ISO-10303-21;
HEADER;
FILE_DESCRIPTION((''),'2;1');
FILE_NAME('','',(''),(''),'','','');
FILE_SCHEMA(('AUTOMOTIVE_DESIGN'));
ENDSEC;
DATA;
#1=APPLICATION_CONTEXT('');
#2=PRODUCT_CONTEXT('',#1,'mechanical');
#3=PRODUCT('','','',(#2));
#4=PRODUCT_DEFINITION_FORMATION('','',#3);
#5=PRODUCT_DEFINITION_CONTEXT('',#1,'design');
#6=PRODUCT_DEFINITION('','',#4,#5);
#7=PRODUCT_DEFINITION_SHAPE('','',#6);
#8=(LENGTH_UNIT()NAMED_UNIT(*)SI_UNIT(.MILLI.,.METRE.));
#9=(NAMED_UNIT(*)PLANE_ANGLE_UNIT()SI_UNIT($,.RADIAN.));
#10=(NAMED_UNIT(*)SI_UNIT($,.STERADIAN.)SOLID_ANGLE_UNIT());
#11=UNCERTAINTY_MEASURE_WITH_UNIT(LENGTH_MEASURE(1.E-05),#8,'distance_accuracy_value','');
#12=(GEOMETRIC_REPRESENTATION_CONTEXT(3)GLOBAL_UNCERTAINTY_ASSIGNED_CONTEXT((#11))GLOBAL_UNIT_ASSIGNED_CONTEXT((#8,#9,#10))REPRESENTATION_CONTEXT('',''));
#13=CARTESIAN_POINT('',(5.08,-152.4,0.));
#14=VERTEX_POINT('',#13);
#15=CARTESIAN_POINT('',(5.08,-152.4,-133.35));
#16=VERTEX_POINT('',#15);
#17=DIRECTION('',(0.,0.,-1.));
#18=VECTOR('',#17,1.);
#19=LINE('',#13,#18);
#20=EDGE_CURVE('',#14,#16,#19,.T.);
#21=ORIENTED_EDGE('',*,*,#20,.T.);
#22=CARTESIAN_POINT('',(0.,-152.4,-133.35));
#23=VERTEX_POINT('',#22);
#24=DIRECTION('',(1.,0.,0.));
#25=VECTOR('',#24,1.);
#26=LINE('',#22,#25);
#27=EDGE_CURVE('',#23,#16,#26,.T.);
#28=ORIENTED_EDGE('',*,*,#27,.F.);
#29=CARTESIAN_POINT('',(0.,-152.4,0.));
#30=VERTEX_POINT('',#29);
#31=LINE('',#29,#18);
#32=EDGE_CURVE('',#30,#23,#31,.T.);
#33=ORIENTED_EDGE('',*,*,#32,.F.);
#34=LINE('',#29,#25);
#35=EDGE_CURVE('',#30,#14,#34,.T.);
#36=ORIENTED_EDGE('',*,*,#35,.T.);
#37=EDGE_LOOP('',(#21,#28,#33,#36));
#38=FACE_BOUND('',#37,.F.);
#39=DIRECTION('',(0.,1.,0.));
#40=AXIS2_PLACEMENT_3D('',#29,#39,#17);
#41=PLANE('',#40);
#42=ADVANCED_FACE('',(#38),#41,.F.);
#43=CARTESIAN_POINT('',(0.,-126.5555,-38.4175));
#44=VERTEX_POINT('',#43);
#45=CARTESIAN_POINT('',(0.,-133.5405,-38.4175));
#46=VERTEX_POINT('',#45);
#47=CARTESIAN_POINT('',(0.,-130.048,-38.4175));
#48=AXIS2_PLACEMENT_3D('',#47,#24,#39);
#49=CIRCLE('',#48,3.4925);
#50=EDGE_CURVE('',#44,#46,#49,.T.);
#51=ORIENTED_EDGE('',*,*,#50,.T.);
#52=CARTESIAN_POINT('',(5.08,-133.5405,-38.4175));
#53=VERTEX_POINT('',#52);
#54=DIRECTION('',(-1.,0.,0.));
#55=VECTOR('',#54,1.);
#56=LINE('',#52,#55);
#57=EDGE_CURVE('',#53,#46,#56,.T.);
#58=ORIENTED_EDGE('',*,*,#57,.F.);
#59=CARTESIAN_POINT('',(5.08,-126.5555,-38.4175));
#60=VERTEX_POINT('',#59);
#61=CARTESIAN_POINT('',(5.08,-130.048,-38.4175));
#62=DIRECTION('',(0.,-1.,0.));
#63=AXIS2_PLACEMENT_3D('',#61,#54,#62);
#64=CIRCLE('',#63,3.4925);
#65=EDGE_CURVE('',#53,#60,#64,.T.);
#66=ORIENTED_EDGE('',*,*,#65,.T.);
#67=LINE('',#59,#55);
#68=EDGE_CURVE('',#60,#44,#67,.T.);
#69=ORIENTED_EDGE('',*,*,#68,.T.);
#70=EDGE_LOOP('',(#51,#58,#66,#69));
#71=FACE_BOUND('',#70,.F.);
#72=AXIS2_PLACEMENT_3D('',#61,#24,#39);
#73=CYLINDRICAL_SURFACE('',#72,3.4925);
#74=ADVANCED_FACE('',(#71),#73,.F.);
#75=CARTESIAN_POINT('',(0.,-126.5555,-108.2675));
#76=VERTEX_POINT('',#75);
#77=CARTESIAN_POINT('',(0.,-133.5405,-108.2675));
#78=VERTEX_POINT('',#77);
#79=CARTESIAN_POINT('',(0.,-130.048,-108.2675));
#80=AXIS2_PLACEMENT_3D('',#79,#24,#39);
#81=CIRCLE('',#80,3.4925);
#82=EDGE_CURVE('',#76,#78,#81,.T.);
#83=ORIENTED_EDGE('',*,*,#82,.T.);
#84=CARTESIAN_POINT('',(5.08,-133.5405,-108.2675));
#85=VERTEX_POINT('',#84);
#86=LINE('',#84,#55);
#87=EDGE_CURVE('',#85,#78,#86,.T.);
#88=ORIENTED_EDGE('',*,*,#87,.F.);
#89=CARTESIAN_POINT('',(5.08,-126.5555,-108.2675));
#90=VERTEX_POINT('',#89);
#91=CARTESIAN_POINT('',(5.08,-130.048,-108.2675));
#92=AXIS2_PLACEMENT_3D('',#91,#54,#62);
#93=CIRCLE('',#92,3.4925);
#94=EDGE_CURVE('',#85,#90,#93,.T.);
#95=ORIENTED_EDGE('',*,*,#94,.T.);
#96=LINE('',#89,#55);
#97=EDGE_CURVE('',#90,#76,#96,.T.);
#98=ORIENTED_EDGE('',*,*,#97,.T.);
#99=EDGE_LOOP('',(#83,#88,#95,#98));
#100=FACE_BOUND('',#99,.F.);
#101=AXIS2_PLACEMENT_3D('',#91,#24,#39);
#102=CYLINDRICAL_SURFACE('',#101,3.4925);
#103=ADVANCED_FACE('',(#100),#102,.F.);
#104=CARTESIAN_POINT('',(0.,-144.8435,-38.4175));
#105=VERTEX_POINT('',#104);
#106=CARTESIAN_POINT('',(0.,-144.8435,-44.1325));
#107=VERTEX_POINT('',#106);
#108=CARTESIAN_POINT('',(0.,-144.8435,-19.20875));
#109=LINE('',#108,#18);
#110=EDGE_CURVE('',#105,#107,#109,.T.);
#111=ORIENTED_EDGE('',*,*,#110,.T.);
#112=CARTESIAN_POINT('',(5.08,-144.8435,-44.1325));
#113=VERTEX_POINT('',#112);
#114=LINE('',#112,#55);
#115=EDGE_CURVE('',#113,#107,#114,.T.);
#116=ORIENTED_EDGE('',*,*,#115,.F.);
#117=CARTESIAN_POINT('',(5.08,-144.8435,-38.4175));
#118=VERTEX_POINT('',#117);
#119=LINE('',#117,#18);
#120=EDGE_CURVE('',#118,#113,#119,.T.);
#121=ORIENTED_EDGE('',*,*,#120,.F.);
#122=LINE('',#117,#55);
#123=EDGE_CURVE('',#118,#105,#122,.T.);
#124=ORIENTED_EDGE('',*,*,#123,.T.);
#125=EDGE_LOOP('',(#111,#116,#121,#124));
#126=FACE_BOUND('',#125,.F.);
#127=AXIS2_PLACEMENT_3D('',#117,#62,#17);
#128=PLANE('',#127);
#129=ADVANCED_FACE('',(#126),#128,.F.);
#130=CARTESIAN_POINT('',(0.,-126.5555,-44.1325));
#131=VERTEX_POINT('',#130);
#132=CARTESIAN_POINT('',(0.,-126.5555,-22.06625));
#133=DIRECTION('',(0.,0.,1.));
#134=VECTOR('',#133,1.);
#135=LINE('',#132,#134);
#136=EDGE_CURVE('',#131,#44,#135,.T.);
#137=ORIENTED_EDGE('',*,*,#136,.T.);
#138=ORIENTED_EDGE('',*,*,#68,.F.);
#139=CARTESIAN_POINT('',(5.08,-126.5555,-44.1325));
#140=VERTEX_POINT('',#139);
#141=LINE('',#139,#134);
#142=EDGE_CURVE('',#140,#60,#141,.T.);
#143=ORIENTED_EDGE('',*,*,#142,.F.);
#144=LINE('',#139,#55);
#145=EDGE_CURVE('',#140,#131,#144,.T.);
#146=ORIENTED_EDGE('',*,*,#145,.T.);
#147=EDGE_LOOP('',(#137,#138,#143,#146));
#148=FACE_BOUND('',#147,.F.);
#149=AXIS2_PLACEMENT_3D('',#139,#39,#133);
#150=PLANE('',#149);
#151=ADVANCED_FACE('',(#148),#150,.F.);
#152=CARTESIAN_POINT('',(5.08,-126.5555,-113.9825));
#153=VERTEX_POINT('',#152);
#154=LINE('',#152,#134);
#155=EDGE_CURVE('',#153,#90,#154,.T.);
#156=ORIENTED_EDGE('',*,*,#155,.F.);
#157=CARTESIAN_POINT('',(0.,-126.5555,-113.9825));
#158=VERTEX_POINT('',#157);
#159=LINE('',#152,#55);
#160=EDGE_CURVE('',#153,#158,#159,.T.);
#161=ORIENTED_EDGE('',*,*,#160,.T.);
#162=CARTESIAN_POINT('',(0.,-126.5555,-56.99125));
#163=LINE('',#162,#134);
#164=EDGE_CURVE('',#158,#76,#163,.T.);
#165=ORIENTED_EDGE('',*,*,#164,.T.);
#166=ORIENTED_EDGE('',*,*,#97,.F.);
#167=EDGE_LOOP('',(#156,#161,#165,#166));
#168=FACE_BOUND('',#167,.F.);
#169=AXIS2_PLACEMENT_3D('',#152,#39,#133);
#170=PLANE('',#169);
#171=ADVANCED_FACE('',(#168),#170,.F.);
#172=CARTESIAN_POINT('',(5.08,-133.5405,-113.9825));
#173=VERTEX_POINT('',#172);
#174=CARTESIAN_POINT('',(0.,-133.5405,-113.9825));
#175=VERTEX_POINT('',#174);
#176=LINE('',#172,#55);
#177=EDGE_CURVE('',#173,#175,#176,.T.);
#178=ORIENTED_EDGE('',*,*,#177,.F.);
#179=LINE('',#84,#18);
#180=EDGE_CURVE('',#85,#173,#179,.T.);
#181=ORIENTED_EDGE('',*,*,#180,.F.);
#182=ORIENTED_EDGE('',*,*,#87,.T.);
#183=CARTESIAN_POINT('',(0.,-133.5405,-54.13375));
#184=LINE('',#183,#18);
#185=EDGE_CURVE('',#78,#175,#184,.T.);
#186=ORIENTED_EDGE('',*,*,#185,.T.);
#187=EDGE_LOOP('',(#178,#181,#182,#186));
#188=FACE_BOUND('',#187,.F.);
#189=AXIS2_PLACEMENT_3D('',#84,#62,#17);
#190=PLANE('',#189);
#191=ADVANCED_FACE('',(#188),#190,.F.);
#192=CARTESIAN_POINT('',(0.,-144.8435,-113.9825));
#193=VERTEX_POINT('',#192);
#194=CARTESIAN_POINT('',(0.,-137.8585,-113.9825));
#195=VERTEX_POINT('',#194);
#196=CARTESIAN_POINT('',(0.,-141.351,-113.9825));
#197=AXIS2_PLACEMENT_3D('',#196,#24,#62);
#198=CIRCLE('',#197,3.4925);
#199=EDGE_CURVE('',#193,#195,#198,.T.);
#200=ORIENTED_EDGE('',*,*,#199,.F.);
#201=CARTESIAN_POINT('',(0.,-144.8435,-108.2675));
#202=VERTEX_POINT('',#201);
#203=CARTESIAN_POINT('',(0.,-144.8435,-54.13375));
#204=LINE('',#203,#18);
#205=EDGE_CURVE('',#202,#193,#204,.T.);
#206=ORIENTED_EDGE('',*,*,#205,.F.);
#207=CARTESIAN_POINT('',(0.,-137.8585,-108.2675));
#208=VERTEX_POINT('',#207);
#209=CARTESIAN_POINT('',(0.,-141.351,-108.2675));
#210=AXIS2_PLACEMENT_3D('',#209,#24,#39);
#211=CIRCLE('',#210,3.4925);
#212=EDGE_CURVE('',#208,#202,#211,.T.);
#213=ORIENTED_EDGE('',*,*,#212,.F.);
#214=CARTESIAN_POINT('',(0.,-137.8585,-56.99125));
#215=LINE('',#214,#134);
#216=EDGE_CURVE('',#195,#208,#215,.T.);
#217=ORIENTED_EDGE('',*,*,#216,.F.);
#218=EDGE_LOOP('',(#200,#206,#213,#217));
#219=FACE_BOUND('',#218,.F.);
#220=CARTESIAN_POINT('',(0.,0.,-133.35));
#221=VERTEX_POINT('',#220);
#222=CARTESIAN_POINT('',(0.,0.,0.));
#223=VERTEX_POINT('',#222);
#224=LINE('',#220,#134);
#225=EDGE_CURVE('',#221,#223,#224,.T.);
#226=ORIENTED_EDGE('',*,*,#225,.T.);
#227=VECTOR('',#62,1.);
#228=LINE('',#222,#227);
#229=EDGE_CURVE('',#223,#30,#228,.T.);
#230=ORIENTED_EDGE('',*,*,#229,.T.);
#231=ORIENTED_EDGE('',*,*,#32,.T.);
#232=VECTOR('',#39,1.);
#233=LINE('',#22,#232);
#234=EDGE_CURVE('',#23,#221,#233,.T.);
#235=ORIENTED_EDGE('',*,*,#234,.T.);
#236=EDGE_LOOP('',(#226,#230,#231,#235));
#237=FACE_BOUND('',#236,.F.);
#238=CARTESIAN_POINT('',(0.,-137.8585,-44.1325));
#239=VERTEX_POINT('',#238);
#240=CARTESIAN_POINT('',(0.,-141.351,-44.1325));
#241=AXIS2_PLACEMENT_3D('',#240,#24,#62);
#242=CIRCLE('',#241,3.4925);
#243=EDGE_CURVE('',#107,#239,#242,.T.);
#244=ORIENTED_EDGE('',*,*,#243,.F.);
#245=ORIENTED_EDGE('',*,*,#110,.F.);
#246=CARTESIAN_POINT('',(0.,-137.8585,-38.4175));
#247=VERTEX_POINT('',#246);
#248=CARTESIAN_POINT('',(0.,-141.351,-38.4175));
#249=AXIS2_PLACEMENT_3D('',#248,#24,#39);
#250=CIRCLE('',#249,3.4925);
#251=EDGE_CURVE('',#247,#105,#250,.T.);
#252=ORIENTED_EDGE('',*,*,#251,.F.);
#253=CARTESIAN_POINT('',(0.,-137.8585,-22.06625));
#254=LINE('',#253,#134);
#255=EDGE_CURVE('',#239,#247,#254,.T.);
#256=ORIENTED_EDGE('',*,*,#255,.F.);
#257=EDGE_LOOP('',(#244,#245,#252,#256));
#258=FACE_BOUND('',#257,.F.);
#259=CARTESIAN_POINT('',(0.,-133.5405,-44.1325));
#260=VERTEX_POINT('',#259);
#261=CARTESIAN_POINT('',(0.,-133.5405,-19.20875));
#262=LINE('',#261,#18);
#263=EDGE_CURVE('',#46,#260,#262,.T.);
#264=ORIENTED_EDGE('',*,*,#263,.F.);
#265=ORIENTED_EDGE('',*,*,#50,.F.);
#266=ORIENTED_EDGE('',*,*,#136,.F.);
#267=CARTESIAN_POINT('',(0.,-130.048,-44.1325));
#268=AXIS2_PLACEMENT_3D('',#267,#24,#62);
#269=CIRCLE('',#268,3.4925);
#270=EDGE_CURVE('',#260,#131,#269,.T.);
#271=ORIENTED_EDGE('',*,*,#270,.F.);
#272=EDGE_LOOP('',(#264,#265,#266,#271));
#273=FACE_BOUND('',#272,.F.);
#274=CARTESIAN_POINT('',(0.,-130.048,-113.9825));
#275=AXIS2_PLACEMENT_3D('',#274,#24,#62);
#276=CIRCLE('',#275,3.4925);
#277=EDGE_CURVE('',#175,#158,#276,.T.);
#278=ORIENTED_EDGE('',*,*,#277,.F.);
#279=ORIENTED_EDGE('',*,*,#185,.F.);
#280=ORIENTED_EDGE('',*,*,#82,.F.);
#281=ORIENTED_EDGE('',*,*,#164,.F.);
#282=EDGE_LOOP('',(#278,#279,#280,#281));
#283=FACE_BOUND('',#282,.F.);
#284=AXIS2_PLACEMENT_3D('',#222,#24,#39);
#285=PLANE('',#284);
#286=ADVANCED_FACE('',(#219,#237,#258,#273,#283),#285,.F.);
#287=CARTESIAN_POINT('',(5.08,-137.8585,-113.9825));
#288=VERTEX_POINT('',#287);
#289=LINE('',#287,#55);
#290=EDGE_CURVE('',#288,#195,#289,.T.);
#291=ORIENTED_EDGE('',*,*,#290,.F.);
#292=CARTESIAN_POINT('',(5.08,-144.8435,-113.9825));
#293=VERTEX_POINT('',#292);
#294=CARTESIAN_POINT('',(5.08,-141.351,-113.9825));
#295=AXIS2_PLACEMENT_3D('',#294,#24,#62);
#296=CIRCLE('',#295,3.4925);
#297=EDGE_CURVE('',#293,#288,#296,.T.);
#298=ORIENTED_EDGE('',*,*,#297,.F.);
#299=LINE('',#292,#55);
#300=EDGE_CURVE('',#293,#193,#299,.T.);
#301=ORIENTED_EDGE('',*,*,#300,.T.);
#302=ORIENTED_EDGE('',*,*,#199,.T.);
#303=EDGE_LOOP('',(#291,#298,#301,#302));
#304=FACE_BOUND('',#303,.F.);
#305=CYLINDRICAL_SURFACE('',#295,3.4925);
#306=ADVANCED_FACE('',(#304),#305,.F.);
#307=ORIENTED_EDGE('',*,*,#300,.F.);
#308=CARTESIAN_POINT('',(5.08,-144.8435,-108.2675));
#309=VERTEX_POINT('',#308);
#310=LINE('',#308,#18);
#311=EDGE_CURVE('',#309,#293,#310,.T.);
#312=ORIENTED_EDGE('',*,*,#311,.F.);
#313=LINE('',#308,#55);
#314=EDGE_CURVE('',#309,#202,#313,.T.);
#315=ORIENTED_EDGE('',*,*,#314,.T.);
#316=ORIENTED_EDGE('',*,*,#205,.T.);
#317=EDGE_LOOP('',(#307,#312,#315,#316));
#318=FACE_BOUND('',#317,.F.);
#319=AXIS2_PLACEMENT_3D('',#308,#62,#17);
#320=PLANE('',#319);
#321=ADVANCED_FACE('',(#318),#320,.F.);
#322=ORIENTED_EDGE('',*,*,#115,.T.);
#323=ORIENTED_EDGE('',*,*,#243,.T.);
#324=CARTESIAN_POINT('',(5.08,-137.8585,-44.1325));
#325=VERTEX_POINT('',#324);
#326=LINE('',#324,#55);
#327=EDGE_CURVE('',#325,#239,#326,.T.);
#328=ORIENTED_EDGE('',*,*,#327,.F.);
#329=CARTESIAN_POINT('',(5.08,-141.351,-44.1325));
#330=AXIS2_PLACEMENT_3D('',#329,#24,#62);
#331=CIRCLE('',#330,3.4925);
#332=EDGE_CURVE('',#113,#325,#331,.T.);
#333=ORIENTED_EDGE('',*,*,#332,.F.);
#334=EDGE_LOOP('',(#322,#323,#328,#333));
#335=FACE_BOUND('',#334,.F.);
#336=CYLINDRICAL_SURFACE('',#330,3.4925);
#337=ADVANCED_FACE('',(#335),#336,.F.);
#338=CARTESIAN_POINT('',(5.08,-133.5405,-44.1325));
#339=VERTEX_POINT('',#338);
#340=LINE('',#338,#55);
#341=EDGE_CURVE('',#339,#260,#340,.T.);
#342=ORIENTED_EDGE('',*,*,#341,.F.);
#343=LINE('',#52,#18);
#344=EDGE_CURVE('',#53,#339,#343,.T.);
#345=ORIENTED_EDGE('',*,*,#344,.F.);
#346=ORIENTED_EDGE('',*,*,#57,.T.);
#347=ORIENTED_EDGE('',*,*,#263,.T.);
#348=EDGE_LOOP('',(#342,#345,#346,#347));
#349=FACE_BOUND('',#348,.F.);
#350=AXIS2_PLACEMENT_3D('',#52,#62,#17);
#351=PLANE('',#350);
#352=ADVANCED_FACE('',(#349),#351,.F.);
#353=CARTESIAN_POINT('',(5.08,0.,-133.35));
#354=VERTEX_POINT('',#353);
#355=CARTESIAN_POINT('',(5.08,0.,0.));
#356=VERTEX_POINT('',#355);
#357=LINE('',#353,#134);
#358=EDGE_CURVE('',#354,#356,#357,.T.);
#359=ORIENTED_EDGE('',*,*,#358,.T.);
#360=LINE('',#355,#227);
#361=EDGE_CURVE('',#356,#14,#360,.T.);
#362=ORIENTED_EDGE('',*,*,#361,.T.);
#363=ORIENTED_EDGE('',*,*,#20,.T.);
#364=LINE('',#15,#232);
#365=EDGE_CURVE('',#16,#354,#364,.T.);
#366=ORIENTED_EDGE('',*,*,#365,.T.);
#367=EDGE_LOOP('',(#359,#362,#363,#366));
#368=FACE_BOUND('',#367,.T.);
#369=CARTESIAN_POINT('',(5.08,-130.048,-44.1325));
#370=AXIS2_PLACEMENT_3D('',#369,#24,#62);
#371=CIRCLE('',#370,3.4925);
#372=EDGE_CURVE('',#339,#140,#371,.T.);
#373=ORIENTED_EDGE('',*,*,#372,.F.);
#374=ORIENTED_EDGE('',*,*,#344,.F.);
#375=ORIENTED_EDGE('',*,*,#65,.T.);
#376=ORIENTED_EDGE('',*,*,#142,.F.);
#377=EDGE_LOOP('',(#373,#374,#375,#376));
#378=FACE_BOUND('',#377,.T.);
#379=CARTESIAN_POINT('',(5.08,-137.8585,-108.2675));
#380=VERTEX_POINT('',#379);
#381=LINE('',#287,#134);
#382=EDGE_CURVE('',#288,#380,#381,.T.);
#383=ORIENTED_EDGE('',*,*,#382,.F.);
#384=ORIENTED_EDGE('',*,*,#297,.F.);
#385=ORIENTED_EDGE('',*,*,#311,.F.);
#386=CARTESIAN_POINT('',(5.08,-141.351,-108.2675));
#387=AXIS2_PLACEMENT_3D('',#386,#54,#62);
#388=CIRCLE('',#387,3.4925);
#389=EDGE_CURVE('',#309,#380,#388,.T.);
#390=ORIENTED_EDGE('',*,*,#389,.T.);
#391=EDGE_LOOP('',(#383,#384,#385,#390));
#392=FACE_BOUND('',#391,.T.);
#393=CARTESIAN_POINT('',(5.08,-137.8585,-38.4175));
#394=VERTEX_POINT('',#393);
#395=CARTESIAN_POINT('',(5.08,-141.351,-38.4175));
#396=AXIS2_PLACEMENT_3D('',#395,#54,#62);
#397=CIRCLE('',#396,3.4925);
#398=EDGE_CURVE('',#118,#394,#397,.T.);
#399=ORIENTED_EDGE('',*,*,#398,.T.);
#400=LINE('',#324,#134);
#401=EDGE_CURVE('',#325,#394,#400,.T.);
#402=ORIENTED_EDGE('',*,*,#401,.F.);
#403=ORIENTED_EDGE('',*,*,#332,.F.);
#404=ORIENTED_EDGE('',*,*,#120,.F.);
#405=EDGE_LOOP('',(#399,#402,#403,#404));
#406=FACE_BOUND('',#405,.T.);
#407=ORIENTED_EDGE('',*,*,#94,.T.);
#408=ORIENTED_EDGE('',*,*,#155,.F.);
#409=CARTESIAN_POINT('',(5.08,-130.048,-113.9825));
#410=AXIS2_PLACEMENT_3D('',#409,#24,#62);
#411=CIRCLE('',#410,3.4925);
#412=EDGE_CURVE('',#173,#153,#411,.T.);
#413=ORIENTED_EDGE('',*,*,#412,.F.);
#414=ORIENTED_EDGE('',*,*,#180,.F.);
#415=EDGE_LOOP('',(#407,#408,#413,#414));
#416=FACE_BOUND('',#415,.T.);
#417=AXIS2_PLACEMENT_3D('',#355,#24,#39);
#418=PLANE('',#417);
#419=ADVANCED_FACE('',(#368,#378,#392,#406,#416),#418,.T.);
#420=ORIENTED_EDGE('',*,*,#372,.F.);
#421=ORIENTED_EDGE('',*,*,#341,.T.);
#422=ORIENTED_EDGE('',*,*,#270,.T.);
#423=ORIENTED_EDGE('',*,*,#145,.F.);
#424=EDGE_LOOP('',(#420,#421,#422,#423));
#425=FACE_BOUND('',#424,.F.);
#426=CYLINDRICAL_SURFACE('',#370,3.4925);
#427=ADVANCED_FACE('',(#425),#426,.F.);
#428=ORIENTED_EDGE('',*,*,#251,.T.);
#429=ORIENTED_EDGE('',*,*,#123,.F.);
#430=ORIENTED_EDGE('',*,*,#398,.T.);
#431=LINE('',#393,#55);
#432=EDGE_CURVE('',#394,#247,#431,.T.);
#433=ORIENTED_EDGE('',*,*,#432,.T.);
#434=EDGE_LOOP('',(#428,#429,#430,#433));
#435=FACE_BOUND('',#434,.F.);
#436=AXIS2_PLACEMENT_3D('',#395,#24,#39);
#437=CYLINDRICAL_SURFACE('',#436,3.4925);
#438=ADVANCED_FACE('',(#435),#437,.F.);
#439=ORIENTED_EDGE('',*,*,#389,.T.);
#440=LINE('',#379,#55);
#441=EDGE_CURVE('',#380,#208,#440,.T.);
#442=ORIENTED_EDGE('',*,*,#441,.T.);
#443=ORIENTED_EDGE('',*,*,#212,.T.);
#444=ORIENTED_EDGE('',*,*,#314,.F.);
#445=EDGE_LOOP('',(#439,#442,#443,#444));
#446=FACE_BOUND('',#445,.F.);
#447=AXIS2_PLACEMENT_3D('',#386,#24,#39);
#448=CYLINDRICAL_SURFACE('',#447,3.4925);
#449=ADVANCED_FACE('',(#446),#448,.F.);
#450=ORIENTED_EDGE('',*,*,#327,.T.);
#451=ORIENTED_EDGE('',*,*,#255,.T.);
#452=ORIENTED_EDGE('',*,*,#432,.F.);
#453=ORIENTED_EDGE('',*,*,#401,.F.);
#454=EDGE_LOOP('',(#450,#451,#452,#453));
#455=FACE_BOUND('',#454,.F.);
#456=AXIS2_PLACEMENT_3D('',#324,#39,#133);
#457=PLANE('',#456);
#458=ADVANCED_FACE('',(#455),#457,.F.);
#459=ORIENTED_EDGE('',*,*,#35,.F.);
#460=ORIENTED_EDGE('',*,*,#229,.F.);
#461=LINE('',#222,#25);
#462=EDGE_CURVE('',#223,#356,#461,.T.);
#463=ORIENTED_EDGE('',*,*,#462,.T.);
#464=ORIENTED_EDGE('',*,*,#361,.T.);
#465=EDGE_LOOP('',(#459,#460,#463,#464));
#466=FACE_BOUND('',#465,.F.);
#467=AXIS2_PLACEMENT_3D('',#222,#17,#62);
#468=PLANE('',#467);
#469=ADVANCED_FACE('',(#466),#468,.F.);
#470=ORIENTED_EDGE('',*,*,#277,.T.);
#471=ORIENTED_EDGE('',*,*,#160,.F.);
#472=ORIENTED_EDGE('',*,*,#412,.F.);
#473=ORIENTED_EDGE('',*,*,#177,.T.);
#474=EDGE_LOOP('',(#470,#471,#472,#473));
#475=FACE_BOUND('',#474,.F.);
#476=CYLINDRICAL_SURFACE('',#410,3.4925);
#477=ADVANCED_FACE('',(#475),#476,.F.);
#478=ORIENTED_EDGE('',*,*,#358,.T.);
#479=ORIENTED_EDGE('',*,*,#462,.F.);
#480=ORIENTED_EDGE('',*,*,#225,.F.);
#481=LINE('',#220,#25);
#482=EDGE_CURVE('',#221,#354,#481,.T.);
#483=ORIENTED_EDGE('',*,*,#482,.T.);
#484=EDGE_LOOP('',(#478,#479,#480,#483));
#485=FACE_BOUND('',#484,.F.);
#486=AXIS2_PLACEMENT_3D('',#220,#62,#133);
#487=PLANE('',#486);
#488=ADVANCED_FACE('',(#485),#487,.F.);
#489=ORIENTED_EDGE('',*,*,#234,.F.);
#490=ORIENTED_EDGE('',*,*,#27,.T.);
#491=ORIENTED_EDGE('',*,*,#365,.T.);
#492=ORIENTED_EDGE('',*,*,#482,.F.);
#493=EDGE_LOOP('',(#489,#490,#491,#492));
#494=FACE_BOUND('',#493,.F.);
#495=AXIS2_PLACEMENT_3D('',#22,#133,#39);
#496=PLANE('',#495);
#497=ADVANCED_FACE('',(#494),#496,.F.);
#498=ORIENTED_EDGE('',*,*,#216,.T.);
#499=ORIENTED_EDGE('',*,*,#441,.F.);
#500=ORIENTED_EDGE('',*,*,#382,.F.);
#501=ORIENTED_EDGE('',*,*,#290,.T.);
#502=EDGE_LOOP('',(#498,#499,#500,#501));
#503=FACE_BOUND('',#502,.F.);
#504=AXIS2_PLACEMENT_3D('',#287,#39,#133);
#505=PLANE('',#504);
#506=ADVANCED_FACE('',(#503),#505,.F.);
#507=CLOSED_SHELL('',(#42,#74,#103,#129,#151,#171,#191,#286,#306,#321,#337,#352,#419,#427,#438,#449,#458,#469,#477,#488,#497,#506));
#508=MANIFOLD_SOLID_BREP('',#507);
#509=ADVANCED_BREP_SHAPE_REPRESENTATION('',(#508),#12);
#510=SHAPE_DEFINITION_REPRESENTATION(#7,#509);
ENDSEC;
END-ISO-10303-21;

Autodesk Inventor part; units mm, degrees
ref_plane "YZ Plane" through (0, 0, 0) normal (1, 0, 0) x (0, 1, 0)
ref_plane "XZ Plane" through (0, 0, 0) normal (0, 1, 0) x (-1, 0, 0)
ref_plane "XY Plane" through (0, 0, 0) normal (0, 0, 1) x (1, 0, 0)
sketch "Sketch1" plane through (0, 0, 0) normal (0, 0, 1) x (1, 0, 0)
  point P0 (0, 0)
sketch "Sketch2" plane through (0, 0, 0) normal (1, 0, 0) x (0, 1, 0)
  line L0 (0, 0) -> (-152.4, 0)
  line L1 (-152.4, 0) -> (-152.4, -133.35)
  line L2 (-152.4, -133.35) -> (0, -133.35)
  line L3 (0, -133.35) -> (0, 0)
  dimension "d0" = 152.4
  dimension "d1" = 133.35
extrude "Extrusion1" add sketch "Sketch2" along normal blind 5.08
sketch "Sketch6" plane through (5.08, 0, 0) normal (1, 0, 0) x (0, 0, -1)
  line L0 (0, -152.4) -> (133.35, -152.4) projected
  line L1 (133.35, -152.4) -> (133.35, 0) projected
  line L2 (0, 0) -> (0, -152.4) projected
  line L3 (41.275, -130.048) -> (47.625, -130.048)
  line L4 (47.625, -130.048) -> (41.275, -130.048)
  line L5 (41.275, -130.048) -> (34.925, -130.048)
  line L6 (34.925, -130.048) -> (47.625, -130.048) construction
  line L7 (38.4175, -133.5405) -> (44.1325, -133.5405)
  line L8 (44.1325, -126.5555) -> (38.4175, -126.5555)
  arc A0 (38.4175, -126.5555) -> (38.4175, -133.5405) centre (38.4175, -130.048) ccw
  arc A1 (44.1325, -133.5405) -> (44.1325, -126.5555) centre (44.1325, -130.048) ccw
  line L9 (111.125, -130.048) -> (117.475, -130.048)
  line L10 (117.475, -130.048) -> (111.125, -130.048)
  line L11 (111.125, -130.048) -> (104.775, -130.048)
  line L12 (104.775, -130.048) -> (117.475, -130.048) construction
  line L13 (108.2675, -133.5405) -> (113.9825, -133.5405)
  line L14 (113.9825, -126.5555) -> (108.2675, -126.5555)
  arc A2 (108.2675, -126.5555) -> (108.2675, -133.5405) centre (108.2675, -130.048) ccw
  arc A3 (113.9825, -133.5405) -> (113.9825, -126.5555) centre (113.9825, -130.048) ccw
  line L15 (41.275, -141.351) -> (47.625, -141.351)
  line L16 (47.625, -141.351) -> (41.275, -141.351)
  line L17 (41.275, -141.351) -> (34.925, -141.351)
  line L18 (34.925, -141.351) -> (47.625, -141.351) construction
  line L19 (38.4175, -144.8435) -> (44.1325, -144.8435)
  line L20 (44.1325, -137.8585) -> (38.4175, -137.8585)
  arc A4 (38.4175, -137.8585) -> (38.4175, -144.8435) centre (38.4175, -141.351) ccw
  arc A5 (44.1325, -144.8435) -> (44.1325, -137.8585) centre (44.1325, -141.351) ccw
  line L21 (111.125, -141.351) -> (117.475, -141.351)
  line L22 (111.125, -141.351) -> (104.775, -141.351)
  line L23 (104.775, -141.351) -> (117.475, -141.351) construction
  line L24 (108.2675, -144.8435) -> (113.9825, -144.8435)
  line L25 (113.9825, -137.8585) -> (108.2675, -137.8585)
  arc A6 (108.2675, -137.8585) -> (108.2675, -144.8435) centre (108.2675, -141.351) ccw
  arc A7 (113.9825, -144.8435) -> (113.9825, -137.8585) centre (113.9825, -141.351) ccw
  dimension "d28" = 6.35
  dimension "d30" = 6.985
  dimension "d31" = 6.35
  dimension "d32" = 6.35
  dimension "d33" = 6.985
  dimension "d34" = 6.35
  dimension "d35" = 6.35
  dimension "d36" = 6.985
  dimension "d37" = 6.35
  dimension "d38" = 6.35
  dimension "d39" = 6.985
extrude "Extrusion5" cut sketch "Sketch6" against normal blind 25.4
properties part number "HalfFrontWall"
